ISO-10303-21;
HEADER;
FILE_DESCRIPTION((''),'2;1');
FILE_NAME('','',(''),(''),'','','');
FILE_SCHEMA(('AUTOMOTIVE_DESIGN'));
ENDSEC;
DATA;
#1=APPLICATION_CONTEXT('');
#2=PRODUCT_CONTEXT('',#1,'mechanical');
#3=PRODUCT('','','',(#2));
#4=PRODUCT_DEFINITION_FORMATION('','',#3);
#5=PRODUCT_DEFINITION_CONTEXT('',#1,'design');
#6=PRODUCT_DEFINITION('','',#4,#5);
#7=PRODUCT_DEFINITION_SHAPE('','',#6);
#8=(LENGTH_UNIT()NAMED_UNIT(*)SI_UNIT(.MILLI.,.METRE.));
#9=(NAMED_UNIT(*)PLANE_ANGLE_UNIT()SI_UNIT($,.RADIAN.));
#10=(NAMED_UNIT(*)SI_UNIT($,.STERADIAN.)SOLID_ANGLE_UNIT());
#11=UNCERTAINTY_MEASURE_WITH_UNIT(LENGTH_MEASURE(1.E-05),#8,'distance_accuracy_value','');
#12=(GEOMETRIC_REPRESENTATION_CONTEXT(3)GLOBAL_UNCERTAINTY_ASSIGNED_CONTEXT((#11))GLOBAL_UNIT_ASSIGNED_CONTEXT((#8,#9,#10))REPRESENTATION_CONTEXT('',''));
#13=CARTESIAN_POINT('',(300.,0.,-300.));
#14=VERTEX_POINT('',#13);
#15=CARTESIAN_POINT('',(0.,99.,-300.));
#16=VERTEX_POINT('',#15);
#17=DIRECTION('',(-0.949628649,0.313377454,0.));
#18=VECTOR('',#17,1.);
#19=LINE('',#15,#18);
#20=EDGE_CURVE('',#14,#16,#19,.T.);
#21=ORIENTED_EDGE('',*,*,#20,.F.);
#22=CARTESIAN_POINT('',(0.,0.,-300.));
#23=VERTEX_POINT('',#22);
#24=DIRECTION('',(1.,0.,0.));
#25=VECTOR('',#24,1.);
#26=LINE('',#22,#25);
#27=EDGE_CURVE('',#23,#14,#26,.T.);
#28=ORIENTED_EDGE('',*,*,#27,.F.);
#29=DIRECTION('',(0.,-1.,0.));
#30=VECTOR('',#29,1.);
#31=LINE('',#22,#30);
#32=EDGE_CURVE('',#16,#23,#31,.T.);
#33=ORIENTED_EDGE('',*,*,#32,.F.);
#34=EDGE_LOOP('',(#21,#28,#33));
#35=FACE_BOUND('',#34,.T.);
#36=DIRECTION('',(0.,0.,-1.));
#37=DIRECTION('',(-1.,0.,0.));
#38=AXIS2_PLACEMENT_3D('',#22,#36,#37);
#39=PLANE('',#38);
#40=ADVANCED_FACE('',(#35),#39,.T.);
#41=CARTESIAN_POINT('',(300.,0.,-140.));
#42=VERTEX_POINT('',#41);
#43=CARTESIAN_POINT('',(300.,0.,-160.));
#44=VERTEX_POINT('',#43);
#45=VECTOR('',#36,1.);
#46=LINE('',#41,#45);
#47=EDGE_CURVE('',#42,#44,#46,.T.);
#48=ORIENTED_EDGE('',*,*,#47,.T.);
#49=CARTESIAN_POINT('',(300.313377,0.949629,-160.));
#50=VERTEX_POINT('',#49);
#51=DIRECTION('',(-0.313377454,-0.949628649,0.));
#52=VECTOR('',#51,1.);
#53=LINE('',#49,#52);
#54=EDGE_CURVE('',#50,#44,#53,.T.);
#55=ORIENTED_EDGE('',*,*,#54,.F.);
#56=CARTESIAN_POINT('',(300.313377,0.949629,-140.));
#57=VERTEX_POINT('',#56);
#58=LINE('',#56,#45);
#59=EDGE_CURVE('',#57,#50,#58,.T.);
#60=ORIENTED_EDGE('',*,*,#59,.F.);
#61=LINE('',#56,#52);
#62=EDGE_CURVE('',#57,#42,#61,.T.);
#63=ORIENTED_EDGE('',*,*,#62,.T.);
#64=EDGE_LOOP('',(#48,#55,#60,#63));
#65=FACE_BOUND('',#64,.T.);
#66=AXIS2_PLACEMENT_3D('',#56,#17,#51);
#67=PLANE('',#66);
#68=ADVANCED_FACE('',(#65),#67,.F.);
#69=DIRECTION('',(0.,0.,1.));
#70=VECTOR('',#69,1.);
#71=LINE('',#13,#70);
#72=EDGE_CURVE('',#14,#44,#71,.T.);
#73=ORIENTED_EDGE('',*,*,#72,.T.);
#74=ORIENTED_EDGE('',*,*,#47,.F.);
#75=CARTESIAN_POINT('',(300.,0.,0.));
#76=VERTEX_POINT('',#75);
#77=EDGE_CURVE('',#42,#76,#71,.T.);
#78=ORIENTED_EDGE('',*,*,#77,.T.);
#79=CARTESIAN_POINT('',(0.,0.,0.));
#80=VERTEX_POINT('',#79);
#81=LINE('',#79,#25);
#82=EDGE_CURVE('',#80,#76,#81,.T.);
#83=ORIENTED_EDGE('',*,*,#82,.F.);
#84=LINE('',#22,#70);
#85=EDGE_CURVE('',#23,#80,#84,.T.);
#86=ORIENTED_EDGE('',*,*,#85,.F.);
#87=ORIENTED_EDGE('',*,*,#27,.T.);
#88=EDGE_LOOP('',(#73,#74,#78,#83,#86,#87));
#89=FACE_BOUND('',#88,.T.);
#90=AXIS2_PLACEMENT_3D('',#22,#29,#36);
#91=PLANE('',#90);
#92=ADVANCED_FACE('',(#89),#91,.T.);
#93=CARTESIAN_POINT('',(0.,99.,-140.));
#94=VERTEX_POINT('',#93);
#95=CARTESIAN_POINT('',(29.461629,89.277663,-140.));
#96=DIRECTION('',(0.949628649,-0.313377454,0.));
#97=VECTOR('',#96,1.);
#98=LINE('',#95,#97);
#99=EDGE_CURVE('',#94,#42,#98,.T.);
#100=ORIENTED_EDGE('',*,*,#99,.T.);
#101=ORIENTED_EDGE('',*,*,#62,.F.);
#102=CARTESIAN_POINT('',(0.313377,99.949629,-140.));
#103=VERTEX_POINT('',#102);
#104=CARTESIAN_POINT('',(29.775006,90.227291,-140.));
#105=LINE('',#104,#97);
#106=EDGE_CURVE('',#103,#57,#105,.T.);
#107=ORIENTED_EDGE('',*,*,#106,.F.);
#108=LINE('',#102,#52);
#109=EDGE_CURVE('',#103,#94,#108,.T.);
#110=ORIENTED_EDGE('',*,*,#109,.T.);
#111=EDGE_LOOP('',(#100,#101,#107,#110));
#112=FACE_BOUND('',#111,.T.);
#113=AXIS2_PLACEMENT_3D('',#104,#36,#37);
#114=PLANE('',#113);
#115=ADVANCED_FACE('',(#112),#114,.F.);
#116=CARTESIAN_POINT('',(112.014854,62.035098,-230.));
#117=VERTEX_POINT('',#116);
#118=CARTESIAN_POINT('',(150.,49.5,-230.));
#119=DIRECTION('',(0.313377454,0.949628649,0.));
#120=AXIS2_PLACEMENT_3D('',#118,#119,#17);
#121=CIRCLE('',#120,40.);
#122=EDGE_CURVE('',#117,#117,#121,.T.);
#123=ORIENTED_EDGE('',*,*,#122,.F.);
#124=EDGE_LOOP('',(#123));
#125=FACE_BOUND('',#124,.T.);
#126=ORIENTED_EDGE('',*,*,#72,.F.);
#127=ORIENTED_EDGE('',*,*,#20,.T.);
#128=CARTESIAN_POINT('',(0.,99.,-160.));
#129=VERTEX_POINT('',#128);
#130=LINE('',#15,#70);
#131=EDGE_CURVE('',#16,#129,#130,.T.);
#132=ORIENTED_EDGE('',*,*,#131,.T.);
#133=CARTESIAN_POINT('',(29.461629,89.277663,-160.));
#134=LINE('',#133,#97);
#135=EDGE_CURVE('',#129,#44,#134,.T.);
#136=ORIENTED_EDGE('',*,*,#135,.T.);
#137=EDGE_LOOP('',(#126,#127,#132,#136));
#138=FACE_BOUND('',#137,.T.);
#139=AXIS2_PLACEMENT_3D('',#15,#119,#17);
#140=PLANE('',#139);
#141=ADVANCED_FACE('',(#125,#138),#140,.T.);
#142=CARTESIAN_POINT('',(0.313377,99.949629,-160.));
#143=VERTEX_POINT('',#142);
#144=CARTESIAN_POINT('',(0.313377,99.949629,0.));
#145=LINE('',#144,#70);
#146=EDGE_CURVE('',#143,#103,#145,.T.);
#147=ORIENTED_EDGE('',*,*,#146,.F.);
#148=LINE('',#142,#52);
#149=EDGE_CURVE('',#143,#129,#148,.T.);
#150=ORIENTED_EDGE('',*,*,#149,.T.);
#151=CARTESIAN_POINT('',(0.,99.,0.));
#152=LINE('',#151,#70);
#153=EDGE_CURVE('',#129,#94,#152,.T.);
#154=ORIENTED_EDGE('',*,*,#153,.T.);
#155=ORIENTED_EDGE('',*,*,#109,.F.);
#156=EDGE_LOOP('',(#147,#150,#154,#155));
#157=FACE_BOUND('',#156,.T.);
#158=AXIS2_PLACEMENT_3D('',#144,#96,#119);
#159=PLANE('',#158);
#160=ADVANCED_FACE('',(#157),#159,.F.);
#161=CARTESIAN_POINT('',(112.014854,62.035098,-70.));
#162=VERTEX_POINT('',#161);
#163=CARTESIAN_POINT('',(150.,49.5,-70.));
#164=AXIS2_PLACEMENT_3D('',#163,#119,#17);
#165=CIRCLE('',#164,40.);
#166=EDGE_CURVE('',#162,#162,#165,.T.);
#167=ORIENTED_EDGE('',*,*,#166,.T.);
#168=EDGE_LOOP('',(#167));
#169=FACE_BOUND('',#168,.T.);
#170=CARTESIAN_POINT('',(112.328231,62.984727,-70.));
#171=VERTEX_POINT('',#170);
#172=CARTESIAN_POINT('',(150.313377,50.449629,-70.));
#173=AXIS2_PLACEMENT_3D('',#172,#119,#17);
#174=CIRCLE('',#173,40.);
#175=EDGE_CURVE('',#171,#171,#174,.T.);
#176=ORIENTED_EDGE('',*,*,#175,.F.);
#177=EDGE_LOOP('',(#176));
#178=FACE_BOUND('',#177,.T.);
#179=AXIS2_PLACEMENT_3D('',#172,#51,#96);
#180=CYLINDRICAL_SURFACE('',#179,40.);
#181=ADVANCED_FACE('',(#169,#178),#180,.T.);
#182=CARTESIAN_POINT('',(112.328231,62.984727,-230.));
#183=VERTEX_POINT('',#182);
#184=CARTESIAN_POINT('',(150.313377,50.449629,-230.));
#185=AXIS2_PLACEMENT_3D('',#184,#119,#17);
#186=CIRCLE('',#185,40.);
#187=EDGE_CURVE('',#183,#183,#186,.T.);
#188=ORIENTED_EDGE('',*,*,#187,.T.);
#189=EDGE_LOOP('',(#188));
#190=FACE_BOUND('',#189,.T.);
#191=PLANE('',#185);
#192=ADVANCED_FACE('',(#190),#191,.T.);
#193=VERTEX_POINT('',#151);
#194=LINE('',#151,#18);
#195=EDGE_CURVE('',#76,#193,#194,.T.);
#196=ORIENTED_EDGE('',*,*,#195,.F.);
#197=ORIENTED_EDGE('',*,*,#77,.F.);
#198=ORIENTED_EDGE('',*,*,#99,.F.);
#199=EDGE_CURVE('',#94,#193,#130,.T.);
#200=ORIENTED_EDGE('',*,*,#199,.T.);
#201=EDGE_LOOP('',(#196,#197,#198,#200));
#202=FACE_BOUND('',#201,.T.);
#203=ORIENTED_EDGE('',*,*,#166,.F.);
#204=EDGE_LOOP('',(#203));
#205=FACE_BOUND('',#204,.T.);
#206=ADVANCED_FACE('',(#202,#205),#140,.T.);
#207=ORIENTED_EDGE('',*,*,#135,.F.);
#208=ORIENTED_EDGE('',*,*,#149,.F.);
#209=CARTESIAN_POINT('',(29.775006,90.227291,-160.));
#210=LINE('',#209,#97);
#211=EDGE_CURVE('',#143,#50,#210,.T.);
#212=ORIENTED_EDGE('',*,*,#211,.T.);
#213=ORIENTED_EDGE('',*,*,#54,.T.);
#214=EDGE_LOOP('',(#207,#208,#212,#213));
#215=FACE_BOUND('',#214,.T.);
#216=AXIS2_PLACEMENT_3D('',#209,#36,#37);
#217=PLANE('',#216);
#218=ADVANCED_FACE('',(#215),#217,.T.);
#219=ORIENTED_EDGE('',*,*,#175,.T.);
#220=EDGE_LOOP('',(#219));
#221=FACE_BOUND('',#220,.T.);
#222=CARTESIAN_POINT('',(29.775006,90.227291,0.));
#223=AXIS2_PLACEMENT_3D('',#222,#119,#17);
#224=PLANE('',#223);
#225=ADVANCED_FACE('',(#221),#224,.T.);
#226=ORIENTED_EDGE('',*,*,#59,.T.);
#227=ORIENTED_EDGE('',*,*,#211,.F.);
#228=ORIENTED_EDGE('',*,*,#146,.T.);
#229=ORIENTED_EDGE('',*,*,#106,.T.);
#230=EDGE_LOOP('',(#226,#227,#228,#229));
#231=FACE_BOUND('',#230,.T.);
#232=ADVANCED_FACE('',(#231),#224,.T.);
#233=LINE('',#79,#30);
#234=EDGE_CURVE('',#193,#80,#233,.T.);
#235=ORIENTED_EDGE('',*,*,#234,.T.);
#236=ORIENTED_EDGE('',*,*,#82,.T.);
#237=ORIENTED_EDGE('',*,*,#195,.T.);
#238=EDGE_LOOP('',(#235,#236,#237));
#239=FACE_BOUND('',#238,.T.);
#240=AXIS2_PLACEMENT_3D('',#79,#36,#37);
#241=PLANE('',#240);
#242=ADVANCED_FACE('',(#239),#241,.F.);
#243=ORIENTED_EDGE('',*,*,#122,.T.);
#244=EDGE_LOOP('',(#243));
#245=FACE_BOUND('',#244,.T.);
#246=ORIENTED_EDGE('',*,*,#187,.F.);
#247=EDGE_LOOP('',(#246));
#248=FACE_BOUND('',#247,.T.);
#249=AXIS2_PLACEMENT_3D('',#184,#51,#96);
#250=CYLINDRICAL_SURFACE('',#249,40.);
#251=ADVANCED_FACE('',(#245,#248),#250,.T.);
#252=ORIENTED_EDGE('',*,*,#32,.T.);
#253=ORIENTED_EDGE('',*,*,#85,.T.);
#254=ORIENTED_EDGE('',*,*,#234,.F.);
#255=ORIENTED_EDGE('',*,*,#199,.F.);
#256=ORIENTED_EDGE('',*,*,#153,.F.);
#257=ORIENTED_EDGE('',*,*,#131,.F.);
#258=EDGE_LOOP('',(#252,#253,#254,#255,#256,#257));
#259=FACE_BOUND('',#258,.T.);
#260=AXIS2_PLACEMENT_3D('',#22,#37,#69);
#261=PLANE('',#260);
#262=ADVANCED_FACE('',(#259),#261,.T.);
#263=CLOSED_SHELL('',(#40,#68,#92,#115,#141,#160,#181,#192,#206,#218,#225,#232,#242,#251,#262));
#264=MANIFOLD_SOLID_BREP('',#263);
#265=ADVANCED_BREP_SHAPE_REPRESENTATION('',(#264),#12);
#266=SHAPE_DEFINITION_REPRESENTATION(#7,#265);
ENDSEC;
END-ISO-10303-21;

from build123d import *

# Parameters (mm, degrees)
EXTRUDE_1_DEPTH = 300
SKETCH_3_W      = 315.912962697
SKETCH_3_H      = 20
EXTRUDE_2_DEPTH = 1
SKETCH_5_R      = 40
EXTRUDE_3_DEPTH = 1
SKETCH_6_R      = 40
EXTRUDE_4_DEPTH = 1


with BuildPart() as part:
    # Эскиз1 → Бобышка-Вытянуть1 (new body)
    with BuildSketch(Plane.XY):
        Polygon((0, 0), (300, 0), (0, 99), align=None)
    extrude(amount=-EXTRUDE_1_DEPTH)

    # Эскиз3 → Бобышка-Вытянуть2 (add)
    with BuildSketch(Plane(origin=(29.461628641, 89.277662548, 0), x_dir=(0.9496286491027329, -0.3133774542039019, 0), z_dir=(0.3133774542039019, 0.9496286491027329, 0))):
        with Locations((126.932113383, 150)):
            Rectangle(SKETCH_3_W, SKETCH_3_H)
    extrude(amount=EXTRUDE_2_DEPTH)

    # Эскиз5 → Бобышка-Вытянуть3 (add)
    with BuildSketch(Plane(origin=(29.461628641, 89.277662548, 0), x_dir=(0.9496286491027329, -0.3133774542039019, 0), z_dir=(0.3133774542039019, 0.9496286491027329, 0))):
        with Locations((126.932113382, 70)):
            Circle(SKETCH_5_R)
    extrude(amount=EXTRUDE_3_DEPTH)

    # Эскиз6 → Бобышка-Вытянуть4 (add)
    with BuildSketch(Plane(origin=(29.461628641, 89.277662548, 0), x_dir=(0.9496286491027329, -0.3133774542039019, 0), z_dir=(0.3133774542039019, 0.9496286491027329, 0))):
        with Locations((126.932113382, 230)):
            Circle(SKETCH_6_R)
    extrude(amount=EXTRUDE_4_DEPTH)


solid = part.part
